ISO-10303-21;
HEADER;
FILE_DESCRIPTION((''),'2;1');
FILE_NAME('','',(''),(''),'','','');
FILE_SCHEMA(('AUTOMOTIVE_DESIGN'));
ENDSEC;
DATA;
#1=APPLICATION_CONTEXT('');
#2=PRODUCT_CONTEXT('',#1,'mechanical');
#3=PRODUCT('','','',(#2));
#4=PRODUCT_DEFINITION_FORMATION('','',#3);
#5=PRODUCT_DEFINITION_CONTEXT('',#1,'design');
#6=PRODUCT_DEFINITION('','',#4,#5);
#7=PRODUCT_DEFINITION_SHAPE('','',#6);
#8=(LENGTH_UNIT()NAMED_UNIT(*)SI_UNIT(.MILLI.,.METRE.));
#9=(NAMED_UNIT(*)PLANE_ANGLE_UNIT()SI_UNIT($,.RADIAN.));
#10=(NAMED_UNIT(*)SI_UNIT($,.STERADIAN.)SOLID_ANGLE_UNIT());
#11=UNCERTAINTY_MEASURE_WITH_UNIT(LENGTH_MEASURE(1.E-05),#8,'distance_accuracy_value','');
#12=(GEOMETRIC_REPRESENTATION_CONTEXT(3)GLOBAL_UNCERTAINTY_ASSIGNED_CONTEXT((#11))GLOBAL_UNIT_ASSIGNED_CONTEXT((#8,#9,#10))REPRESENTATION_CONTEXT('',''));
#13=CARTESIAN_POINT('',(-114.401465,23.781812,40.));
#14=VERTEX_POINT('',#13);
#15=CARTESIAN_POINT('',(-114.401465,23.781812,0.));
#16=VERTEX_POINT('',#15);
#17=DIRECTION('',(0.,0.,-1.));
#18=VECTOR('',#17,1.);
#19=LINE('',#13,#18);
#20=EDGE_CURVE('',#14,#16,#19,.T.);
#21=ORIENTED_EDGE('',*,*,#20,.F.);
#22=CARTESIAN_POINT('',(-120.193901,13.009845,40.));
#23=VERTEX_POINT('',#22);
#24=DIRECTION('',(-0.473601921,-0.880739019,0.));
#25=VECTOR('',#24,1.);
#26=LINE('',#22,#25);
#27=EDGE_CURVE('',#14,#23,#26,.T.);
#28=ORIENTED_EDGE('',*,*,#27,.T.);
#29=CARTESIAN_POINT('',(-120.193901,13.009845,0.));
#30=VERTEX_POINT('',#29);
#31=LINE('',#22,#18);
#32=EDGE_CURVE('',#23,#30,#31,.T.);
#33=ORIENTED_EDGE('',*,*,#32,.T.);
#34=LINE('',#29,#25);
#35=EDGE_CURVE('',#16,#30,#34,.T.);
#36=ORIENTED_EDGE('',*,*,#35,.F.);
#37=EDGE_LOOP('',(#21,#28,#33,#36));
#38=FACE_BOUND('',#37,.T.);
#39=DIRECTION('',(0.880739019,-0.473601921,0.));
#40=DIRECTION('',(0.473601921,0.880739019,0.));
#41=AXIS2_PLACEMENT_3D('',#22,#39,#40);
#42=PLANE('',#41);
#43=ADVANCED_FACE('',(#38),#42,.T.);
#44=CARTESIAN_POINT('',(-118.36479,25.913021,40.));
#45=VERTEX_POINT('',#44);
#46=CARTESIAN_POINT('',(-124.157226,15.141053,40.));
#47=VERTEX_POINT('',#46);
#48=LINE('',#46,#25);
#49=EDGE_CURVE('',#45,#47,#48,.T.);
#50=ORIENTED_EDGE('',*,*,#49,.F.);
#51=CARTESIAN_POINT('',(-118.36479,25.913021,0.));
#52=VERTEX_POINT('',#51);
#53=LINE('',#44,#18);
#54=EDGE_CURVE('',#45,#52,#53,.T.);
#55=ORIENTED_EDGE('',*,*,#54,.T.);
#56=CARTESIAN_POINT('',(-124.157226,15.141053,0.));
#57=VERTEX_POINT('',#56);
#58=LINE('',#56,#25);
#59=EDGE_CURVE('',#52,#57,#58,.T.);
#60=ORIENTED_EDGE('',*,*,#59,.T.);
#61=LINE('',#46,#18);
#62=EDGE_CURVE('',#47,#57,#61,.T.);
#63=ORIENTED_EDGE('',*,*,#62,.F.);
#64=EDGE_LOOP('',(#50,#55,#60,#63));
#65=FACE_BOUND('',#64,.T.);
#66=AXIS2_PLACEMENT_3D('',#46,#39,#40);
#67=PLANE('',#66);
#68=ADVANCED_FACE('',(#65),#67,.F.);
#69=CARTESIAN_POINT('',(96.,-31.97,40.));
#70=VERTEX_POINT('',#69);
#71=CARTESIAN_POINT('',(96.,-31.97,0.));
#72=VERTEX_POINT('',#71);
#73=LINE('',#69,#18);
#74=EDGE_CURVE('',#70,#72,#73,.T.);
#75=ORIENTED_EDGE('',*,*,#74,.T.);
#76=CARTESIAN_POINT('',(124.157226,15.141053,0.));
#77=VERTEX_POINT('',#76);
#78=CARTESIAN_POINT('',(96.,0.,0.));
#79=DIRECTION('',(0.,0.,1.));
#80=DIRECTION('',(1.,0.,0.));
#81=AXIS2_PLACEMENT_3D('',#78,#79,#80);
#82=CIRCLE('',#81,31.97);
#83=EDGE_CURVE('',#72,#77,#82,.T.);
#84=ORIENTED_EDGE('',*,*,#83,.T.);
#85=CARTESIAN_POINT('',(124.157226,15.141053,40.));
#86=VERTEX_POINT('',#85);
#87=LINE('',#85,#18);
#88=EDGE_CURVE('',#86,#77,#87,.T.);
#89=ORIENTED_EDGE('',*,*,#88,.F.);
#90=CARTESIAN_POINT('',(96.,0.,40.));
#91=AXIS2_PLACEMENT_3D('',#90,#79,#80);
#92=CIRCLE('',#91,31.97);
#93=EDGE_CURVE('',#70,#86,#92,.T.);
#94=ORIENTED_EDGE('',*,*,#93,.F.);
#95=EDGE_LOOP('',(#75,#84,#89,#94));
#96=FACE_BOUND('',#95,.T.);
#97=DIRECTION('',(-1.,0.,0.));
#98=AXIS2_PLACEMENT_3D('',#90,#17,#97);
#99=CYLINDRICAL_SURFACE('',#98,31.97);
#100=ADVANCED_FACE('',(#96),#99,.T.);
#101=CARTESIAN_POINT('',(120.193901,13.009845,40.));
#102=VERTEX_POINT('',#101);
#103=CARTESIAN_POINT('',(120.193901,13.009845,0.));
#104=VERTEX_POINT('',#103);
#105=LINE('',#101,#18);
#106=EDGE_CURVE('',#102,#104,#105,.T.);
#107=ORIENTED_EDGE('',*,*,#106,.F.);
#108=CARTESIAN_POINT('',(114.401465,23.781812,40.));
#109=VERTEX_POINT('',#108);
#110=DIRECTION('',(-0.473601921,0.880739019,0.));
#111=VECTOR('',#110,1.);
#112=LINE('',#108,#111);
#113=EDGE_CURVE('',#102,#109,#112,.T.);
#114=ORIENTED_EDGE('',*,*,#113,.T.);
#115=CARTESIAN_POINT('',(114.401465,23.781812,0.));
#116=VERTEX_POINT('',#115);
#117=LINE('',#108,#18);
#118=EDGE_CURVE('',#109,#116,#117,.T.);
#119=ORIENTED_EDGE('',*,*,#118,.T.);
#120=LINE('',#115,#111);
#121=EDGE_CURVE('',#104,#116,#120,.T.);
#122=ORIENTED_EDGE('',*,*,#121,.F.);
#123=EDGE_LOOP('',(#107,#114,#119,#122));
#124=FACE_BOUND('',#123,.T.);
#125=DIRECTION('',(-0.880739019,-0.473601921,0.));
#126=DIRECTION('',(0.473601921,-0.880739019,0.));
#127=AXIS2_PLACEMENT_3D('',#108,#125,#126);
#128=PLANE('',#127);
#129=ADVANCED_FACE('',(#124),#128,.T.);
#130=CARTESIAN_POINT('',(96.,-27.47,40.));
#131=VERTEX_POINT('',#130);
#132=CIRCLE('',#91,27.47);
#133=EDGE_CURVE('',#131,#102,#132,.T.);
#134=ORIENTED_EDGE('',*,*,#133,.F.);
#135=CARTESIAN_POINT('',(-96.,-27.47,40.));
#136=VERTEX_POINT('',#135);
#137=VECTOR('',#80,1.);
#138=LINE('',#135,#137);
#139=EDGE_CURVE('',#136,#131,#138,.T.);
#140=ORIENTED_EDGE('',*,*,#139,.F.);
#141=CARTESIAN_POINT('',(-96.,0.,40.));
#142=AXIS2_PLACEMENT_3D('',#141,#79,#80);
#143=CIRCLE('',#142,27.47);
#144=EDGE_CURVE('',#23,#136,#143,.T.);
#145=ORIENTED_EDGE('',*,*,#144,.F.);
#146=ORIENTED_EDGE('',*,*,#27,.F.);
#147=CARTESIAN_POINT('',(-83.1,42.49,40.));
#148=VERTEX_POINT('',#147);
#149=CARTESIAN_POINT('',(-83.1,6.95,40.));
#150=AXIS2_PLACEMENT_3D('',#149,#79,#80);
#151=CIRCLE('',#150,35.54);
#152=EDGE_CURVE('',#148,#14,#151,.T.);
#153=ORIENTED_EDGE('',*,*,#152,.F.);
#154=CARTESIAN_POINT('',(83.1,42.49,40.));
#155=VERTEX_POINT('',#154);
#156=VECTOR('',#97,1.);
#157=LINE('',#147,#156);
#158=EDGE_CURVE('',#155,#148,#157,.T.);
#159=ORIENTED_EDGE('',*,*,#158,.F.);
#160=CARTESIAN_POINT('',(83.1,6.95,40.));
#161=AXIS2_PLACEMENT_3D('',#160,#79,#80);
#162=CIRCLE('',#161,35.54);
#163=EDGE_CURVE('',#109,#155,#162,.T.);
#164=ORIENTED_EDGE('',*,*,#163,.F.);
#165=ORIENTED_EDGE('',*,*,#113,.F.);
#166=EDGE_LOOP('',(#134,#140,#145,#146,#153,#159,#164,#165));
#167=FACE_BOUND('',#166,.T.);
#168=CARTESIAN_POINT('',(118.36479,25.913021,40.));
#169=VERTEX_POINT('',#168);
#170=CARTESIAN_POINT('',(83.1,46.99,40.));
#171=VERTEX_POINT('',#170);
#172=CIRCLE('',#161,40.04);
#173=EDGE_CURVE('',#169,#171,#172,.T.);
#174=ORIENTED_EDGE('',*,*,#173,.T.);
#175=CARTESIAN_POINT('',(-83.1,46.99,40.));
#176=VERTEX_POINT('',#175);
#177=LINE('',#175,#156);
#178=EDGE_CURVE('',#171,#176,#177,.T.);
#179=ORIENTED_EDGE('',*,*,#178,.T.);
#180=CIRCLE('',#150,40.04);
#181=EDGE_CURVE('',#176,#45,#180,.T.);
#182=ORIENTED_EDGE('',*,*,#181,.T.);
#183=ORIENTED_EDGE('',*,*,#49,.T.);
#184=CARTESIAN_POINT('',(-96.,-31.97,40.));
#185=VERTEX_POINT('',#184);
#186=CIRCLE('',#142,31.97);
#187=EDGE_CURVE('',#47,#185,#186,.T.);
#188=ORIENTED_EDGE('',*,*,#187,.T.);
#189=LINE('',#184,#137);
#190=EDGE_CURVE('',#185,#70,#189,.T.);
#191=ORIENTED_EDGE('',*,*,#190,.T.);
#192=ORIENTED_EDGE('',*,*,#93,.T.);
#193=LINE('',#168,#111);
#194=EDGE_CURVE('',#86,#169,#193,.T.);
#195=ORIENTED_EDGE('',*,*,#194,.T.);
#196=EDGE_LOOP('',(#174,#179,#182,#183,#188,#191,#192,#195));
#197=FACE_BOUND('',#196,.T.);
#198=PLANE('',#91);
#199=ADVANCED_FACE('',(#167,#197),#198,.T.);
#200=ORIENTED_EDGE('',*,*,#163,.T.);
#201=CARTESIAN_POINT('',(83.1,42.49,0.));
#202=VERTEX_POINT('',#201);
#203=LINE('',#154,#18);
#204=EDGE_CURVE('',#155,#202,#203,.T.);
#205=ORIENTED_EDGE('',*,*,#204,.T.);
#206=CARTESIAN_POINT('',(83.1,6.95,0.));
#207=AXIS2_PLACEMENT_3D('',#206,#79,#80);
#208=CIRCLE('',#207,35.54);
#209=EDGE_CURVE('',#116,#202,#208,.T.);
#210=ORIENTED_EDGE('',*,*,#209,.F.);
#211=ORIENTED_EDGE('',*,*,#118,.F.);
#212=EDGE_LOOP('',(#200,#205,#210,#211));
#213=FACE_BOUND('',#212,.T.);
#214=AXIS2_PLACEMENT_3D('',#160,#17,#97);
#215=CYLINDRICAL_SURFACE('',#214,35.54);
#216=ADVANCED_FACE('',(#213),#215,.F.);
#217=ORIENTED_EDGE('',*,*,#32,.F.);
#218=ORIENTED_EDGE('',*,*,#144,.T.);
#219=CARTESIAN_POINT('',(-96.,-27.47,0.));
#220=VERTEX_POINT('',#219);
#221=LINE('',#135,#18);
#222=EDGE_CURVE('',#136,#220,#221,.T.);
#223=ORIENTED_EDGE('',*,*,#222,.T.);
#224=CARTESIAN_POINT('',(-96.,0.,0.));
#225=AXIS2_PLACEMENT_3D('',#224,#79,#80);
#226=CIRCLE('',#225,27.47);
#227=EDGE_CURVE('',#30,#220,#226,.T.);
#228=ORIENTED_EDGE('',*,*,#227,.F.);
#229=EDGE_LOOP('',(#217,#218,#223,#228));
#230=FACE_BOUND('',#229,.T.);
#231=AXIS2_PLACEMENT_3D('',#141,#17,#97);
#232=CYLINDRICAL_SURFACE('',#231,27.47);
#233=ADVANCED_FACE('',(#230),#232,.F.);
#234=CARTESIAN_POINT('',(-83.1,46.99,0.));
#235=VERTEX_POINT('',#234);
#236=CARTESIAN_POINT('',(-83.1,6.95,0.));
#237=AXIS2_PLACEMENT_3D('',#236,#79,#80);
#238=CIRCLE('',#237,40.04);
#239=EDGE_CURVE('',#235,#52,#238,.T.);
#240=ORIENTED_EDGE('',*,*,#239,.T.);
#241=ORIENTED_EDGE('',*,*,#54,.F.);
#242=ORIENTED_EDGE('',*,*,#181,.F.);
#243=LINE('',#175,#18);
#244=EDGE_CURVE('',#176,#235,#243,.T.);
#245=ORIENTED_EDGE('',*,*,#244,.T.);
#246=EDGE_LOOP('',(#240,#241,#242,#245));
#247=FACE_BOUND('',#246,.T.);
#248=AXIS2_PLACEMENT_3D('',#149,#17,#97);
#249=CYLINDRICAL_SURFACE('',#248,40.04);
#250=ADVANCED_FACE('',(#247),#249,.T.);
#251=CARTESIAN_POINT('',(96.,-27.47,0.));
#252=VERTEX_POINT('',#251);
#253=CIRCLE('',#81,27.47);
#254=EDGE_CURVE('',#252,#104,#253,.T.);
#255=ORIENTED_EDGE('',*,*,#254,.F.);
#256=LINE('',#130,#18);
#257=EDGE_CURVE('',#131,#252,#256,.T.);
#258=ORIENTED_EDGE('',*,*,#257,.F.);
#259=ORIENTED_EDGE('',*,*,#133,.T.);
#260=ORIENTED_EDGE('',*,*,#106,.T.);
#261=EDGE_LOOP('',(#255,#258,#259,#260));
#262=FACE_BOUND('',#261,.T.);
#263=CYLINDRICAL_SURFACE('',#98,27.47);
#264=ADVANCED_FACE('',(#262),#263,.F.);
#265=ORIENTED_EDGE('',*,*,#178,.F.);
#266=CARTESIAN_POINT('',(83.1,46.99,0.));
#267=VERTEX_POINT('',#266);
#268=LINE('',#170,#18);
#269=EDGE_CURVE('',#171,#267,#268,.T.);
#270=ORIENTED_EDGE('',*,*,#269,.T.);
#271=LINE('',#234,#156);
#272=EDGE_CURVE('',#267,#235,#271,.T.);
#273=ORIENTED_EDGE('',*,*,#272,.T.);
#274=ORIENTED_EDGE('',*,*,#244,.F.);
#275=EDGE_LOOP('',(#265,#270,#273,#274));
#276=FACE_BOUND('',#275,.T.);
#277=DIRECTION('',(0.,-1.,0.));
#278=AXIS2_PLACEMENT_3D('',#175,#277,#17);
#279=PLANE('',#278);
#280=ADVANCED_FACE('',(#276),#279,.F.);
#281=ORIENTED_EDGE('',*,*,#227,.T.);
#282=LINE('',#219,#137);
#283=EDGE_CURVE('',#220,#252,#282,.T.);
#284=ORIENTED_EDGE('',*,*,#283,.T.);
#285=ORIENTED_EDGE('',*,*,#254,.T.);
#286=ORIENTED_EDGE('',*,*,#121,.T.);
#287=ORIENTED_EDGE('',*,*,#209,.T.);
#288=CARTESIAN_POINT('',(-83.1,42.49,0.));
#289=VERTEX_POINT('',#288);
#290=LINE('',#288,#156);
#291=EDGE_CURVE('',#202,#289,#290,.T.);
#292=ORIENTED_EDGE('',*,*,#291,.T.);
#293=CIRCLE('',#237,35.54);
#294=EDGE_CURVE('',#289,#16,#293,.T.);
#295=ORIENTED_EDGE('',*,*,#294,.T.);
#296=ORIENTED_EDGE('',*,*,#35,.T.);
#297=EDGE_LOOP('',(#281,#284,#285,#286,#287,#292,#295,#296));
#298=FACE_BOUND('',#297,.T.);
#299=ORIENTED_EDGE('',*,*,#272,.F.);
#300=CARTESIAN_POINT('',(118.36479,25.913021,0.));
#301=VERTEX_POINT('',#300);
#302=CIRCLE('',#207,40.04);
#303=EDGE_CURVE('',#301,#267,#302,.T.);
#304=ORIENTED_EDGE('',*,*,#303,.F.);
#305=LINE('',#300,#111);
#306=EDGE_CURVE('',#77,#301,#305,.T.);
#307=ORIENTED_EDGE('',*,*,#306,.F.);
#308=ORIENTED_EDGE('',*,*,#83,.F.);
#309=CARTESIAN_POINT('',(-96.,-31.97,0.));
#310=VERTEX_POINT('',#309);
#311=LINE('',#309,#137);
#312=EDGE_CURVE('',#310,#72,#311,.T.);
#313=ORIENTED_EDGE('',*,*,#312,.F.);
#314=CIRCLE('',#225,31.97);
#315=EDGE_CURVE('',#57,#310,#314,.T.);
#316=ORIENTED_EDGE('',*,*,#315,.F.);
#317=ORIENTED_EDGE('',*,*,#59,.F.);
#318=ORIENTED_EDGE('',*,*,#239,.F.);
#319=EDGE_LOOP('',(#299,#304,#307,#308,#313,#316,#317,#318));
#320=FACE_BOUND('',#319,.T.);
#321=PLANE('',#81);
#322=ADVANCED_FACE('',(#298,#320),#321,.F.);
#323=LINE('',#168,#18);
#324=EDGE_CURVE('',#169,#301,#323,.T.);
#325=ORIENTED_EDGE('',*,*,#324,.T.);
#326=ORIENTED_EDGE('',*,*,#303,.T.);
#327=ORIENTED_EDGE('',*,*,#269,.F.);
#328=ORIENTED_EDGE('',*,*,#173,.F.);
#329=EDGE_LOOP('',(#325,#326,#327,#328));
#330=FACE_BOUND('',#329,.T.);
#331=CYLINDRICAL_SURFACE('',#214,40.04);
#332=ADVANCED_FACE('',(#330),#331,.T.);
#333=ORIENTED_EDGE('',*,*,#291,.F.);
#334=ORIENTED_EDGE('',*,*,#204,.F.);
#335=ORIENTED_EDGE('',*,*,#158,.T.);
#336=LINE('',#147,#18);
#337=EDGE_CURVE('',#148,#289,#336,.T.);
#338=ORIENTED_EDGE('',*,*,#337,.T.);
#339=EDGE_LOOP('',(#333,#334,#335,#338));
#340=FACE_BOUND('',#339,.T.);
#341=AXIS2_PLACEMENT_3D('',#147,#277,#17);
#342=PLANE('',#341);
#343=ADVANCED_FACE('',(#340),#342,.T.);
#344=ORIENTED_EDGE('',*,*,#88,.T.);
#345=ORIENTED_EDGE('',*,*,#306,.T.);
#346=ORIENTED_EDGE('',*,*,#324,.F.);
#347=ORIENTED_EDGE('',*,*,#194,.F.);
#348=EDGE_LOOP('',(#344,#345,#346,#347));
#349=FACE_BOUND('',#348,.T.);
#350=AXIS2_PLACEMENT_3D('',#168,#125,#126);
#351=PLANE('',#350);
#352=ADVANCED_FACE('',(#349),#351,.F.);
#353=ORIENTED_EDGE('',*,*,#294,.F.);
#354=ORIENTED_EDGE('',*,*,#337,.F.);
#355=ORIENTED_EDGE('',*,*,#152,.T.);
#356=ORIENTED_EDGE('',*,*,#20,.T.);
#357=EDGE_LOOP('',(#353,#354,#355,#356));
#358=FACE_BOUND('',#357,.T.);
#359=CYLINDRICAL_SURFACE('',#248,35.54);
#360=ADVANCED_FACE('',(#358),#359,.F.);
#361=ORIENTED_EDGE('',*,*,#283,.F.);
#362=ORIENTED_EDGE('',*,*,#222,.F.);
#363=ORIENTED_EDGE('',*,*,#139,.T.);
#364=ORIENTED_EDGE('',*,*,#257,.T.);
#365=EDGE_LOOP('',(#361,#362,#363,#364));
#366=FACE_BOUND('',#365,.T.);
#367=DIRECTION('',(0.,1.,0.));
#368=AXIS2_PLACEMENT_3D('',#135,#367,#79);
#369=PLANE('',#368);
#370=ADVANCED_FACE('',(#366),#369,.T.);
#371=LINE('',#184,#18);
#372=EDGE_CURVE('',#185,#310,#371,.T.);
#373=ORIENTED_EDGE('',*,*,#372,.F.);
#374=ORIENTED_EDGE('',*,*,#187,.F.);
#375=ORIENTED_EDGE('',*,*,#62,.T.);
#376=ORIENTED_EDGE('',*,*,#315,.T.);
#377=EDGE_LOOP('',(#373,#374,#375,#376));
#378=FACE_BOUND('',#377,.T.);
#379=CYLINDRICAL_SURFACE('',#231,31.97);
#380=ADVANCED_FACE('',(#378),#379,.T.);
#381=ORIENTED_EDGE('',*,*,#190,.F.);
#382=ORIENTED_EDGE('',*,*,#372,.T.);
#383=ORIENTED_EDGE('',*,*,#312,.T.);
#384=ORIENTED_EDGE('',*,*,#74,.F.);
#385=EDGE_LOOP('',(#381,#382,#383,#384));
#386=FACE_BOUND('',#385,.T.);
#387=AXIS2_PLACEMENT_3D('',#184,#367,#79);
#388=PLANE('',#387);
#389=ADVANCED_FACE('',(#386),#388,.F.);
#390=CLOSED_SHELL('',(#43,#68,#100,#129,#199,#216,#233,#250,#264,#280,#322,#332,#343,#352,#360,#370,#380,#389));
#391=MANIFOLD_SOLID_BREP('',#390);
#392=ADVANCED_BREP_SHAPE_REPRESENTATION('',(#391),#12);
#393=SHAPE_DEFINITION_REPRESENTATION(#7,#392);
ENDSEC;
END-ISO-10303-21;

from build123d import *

# Parameters (mm, degrees)
EXTRUDE_1_DEPTH = 40


with BuildPart() as part:
    # ｽｹｯﾁ1 → 押し出し-薄板1 (new body)
    with BuildSketch(Plane.XY):
        with BuildLine():
            Line((83.1, 46.99), (-83.1, 46.99))
            ThreePointArc((-83.1, 46.99), (-103.641692268, 41.319179198), (-118.364790339, 25.913020918))
            Line((-118.364790339, 25.913020918), (-124.157226452, 15.141053415))
            ThreePointArc((-124.157226452, 15.141053415), (-123.44212435, -16.401545999), (-96, -31.97))
            Line((-96, -31.97), (96, -31.97))
            ThreePointArc((96, -31.97), (123.44212435, -16.401545999), (124.157226452, 15.141053415))
            Line((124.157226452, 15.141053415), (118.364790339, 25.913020918))
            ThreePointArc((118.364790339, 25.913020918), (103.641692268, 41.319179198), (83.1, 46.99))
        make_face()
        with BuildLine():
            Line((83.1, 42.49), (-83.1, 42.49))
            ThreePointArc((-83.1, 42.49), (-101.33306052, 37.456509209), (-114.401464752, 23.781812273))
            Line((-114.401464752, 23.781812273), (-120.193900865, 13.00984477))
            ThreePointArc((-120.193900865, 13.00984477), (-119.57945436, -14.092914251), (-96, -27.47))
            Line((-96, -27.47), (96, -27.47))
            ThreePointArc((96, -27.47), (119.57945436, -14.092914251), (120.193900865, 13.00984477))
            Line((120.193900865, 13.00984477), (114.401464752, 23.781812273))
            ThreePointArc((114.401464752, 23.781812273), (101.33306052, 37.456509209), (83.1, 42.49))
        make_face(mode=Mode.SUBTRACT)
    extrude(amount=EXTRUDE_1_DEPTH)


solid = part.part
